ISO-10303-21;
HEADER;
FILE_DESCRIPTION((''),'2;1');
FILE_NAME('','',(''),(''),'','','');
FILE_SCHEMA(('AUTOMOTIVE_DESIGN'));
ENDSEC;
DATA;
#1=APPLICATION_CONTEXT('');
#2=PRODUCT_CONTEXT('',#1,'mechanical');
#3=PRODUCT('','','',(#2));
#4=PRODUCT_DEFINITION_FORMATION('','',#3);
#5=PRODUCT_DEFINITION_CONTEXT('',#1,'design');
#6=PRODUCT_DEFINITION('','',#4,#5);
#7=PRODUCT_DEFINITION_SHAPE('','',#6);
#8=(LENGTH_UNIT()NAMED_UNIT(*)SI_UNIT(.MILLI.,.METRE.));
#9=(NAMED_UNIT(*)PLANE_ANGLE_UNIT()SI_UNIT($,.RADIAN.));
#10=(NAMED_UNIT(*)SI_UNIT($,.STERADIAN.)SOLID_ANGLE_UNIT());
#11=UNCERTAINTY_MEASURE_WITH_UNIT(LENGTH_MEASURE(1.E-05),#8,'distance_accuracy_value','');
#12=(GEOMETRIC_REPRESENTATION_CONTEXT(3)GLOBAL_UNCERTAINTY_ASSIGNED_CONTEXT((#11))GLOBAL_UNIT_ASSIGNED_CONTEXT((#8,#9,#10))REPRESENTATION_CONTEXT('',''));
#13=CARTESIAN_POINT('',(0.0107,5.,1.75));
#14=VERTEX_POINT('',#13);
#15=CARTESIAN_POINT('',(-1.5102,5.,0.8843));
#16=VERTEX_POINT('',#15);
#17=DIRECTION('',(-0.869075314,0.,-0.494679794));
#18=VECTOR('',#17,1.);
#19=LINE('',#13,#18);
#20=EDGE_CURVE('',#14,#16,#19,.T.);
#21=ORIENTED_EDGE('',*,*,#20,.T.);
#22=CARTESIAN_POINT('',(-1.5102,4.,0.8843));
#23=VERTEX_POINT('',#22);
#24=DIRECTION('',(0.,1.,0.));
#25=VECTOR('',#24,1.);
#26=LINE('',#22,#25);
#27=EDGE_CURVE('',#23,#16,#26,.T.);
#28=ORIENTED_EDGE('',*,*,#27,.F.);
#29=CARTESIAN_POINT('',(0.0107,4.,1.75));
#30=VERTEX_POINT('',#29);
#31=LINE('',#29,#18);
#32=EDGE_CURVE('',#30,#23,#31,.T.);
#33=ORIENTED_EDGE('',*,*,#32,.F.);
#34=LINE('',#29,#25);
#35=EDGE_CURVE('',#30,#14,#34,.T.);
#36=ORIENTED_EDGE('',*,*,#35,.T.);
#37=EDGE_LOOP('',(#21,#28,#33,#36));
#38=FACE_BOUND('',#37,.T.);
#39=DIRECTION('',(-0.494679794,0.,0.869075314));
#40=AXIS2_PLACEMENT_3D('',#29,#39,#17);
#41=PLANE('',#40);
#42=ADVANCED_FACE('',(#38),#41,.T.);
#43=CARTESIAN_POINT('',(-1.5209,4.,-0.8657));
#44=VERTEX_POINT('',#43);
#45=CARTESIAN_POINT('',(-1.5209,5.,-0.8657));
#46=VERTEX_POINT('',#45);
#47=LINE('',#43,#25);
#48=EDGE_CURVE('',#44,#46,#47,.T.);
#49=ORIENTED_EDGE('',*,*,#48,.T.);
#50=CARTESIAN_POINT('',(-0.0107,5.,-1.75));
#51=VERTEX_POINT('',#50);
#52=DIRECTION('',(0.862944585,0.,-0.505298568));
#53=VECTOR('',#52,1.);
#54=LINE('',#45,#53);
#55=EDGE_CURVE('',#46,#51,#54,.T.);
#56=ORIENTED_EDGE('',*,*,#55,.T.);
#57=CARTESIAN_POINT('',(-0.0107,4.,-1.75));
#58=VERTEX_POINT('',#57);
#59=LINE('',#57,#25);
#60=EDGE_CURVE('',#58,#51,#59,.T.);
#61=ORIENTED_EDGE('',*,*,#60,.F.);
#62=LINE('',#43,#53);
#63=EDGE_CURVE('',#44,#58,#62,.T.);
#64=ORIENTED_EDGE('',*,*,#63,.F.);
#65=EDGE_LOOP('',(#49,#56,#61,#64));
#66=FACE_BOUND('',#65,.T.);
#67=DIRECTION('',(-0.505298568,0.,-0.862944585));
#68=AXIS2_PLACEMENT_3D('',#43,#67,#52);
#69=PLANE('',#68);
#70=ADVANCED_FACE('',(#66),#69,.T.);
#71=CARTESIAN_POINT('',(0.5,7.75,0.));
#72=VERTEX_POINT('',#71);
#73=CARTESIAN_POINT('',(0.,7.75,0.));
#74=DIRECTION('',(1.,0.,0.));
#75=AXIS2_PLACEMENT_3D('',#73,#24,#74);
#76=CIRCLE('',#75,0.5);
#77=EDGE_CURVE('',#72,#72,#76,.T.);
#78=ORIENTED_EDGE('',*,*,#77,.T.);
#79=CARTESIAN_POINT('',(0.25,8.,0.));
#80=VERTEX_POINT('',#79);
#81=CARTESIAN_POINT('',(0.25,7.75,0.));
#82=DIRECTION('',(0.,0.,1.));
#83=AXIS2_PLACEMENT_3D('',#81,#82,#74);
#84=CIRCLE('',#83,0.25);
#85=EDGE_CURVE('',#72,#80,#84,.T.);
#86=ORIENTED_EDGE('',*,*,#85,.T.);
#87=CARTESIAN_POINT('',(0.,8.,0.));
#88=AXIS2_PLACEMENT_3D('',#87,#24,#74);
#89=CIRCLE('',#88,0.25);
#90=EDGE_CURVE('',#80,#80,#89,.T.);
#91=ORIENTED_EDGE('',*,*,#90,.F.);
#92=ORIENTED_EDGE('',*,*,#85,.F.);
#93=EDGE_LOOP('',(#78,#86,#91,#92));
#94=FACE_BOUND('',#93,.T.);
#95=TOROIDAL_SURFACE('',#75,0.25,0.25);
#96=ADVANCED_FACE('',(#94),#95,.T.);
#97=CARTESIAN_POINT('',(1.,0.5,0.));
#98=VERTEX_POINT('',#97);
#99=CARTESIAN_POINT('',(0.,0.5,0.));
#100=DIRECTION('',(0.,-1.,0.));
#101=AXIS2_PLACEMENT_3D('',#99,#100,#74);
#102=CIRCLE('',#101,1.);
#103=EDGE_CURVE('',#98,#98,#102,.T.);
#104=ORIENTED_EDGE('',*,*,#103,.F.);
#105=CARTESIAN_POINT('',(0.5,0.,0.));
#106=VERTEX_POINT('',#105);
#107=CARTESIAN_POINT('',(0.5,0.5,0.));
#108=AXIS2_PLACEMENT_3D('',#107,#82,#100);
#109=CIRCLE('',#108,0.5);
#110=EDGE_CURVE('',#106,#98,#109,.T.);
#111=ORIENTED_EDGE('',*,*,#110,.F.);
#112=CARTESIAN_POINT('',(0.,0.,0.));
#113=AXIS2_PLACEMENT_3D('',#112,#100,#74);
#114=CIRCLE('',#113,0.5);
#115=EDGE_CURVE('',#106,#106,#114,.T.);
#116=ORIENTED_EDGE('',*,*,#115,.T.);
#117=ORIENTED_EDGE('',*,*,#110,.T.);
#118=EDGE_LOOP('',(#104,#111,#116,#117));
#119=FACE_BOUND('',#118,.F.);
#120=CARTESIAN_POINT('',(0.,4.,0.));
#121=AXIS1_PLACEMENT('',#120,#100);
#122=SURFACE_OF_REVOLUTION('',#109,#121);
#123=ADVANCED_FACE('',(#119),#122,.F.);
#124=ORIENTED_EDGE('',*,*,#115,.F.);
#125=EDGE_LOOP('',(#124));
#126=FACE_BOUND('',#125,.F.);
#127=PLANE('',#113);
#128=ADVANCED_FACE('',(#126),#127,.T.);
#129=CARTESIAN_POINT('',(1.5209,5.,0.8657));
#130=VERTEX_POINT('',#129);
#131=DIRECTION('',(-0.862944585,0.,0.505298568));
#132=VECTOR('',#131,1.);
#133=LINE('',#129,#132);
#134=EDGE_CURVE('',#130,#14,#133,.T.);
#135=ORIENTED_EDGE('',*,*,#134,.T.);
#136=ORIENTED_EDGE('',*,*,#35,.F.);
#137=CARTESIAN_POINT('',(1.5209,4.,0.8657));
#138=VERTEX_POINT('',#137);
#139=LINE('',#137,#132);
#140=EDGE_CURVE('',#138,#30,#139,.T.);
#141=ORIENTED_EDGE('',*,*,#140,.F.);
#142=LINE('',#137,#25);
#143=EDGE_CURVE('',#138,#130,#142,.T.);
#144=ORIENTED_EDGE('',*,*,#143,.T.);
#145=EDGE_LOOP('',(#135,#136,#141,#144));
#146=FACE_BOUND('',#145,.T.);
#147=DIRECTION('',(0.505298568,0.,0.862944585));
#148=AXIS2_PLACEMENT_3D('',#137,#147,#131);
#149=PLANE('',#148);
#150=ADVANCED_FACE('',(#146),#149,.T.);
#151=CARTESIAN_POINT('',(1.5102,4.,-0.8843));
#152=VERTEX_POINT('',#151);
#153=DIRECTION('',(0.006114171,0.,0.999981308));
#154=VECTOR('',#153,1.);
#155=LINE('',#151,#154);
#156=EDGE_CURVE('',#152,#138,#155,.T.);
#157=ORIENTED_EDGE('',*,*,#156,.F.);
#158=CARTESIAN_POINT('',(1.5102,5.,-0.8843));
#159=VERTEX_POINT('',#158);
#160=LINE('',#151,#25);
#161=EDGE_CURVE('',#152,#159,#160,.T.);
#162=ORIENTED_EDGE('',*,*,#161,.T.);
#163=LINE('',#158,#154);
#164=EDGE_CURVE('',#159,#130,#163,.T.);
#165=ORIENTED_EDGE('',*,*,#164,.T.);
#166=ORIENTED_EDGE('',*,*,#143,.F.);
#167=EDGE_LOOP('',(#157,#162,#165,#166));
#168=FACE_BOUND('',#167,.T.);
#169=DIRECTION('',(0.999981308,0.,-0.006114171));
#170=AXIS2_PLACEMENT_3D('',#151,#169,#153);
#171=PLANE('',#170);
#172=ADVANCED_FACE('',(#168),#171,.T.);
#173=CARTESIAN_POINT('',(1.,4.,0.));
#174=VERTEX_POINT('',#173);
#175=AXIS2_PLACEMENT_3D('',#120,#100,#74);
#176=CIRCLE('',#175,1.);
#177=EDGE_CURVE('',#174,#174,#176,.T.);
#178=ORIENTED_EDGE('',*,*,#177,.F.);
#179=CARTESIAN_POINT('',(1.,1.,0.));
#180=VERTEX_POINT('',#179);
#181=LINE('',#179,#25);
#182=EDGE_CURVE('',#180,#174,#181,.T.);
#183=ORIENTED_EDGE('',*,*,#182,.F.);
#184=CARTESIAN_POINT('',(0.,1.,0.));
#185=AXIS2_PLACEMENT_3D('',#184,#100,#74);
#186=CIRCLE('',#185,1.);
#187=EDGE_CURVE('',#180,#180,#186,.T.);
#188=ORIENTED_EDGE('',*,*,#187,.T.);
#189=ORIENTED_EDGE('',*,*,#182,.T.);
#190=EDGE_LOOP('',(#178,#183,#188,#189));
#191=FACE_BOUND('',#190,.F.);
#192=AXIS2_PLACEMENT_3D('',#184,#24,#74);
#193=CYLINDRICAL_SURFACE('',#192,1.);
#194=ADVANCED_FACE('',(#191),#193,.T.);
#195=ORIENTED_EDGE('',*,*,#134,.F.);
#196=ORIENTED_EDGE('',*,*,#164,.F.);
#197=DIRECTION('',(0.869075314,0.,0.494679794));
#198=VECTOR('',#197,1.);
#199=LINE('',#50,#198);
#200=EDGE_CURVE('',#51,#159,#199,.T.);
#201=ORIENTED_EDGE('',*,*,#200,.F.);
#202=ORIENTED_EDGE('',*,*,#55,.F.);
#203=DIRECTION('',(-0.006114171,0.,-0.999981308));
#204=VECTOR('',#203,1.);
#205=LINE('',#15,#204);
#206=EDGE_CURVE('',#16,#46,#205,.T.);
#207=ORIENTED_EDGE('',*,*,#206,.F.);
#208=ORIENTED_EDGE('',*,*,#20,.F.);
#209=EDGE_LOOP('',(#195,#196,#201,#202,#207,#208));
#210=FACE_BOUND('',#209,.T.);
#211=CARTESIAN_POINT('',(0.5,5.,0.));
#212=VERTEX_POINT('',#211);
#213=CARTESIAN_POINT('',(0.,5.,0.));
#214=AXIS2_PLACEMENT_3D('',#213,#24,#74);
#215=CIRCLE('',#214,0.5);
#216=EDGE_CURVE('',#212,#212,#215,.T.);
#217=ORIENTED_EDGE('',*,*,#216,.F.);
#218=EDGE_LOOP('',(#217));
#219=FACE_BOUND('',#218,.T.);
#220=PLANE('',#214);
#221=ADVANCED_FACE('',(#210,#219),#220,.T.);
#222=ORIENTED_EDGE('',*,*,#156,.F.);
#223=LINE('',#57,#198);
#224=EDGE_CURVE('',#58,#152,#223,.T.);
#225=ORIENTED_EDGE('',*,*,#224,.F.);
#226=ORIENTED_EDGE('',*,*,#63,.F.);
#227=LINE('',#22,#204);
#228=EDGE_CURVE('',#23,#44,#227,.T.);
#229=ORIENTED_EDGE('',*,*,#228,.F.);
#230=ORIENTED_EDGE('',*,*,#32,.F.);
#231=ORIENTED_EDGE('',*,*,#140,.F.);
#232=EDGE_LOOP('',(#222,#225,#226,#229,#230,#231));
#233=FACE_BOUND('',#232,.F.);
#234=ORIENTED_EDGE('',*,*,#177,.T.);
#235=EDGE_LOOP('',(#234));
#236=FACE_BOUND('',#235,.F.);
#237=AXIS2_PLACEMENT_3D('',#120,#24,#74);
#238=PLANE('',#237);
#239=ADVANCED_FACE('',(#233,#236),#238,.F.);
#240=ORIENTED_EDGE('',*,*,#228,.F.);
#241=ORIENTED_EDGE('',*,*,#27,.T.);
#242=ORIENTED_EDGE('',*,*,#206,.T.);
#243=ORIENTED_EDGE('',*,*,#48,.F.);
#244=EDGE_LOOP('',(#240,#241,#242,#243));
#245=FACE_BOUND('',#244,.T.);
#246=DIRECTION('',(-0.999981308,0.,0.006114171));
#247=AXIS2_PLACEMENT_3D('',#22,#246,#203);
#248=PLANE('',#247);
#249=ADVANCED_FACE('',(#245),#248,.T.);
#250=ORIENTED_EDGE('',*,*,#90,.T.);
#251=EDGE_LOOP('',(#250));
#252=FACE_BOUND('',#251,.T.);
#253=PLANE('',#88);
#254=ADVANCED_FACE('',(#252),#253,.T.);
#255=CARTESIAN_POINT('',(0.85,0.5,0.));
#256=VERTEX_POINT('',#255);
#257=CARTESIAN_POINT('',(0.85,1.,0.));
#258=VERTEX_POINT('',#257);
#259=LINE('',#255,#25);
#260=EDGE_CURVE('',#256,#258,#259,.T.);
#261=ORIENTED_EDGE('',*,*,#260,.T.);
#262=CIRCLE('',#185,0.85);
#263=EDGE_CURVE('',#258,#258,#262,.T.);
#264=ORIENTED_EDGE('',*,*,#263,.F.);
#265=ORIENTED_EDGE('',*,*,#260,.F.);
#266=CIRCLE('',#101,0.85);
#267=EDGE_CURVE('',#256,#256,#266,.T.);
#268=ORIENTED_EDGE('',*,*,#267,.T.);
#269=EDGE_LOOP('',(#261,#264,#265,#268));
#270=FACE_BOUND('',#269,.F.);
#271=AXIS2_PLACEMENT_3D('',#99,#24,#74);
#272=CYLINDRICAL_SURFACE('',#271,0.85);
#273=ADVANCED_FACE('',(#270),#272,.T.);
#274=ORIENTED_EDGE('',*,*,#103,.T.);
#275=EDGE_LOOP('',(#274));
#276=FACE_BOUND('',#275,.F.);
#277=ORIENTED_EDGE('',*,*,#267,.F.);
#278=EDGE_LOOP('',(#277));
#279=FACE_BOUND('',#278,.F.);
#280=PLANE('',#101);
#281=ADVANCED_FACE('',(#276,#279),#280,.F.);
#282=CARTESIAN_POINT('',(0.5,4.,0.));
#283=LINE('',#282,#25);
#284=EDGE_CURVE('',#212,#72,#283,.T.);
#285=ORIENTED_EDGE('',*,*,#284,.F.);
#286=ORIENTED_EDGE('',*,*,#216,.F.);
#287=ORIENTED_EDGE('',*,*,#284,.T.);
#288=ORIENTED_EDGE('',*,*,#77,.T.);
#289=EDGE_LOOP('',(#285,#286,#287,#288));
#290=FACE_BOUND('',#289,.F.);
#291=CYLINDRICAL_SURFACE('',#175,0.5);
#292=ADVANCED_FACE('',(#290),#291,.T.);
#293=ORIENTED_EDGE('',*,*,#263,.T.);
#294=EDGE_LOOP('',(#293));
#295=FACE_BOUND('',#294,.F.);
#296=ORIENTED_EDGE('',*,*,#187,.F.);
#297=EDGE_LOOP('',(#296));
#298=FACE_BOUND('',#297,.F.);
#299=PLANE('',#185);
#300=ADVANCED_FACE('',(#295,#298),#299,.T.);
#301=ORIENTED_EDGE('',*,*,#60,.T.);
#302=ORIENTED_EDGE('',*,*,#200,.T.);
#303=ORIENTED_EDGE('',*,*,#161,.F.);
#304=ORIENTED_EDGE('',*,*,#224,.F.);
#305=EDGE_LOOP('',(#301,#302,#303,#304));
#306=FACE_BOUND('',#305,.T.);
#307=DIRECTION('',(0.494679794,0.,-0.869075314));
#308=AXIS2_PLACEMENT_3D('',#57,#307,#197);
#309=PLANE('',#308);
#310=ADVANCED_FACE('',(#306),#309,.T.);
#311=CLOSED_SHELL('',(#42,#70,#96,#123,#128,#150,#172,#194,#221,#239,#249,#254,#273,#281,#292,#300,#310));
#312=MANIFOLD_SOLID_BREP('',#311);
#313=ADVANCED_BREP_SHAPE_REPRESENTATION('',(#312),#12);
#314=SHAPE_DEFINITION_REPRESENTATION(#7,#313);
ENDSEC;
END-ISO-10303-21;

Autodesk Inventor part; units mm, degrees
ref_plane "YZ Plane" through (0, 0, 0) normal (1, 0, 0) x (0, 1, 0)
ref_plane "XZ Plane" through (0, 0, 0) normal (0, 1, 0) x (-1, 0, 0)
ref_plane "XY Plane" through (0, 0, 0) normal (0, 0, 1) x (1, 0, 0)
sketch "Sketch1" plane through (0, 0, 0) normal (0, 0, 1) x (1, 0, 0)
  line L0 (0, 0) -> (0.5, 0)
  line L1 (1, 1) -> (1, 4)
  line L2 (1, 4) -> (0, 4)
  line L3 (0, 4) -> (0, 0)
  arc A0 (0.5, 0) -> (1, 0.5) centre (0.5, 0.5) ccw
  line L4 (1, 0.5) -> (0.85, 0.5)
  line L5 (0.85, 0.5) -> (0.85, 1)
  line L6 (0.85, 1) -> (1, 1)
  point P0 (1, 0)
  dimension "d0" = 1
  dimension "d1" = 4
  dimension "d2" = 0.5
  dimension "d6" = 0.15
  dimension "d7" = 0.5
revolve "Revolution1" add sketch "Sketch1" angle 360 about axis through (0, 4, 0) along (0, -1, 0)
thread "Thread1" size "M2x0.4" class "6g" standard "ISO Metric profile" length 3
sketch "Sketch2" plane through (0, 4, 0) normal (0, 1, 0) x (1, 0, 0)
  circle A0 centre (0, 0) radius 0.5 projected
  circle A1 centre (0, 0) radius 1.75 construction
  line L0 (-1.5102, -0.8843) -> (-1.5209, 0.8657)
  line L1 (-1.5209, 0.8657) -> (-0.0107, 1.75)
  line L2 (-0.0107, 1.75) -> (1.5102, 0.8843)
  line L3 (1.5102, 0.8843) -> (1.5209, -0.8657)
  line L4 (1.5209, -0.8657) -> (0.0107, -1.75)
  line L5 (0.0107, -1.75) -> (-1.5102, -0.8843)
  dimension "d8" = 3.5
extrude "Extrusion1" add sketch "Sketch2" along normal blind 1
extrude "Extrusion2" add sketch "Sketch2" along normal blind 4 contours A0
fillet "Fillet1" radius 0.25 1 edges at (-0.5, 8, 0)
properties part number "temperature sensor"
